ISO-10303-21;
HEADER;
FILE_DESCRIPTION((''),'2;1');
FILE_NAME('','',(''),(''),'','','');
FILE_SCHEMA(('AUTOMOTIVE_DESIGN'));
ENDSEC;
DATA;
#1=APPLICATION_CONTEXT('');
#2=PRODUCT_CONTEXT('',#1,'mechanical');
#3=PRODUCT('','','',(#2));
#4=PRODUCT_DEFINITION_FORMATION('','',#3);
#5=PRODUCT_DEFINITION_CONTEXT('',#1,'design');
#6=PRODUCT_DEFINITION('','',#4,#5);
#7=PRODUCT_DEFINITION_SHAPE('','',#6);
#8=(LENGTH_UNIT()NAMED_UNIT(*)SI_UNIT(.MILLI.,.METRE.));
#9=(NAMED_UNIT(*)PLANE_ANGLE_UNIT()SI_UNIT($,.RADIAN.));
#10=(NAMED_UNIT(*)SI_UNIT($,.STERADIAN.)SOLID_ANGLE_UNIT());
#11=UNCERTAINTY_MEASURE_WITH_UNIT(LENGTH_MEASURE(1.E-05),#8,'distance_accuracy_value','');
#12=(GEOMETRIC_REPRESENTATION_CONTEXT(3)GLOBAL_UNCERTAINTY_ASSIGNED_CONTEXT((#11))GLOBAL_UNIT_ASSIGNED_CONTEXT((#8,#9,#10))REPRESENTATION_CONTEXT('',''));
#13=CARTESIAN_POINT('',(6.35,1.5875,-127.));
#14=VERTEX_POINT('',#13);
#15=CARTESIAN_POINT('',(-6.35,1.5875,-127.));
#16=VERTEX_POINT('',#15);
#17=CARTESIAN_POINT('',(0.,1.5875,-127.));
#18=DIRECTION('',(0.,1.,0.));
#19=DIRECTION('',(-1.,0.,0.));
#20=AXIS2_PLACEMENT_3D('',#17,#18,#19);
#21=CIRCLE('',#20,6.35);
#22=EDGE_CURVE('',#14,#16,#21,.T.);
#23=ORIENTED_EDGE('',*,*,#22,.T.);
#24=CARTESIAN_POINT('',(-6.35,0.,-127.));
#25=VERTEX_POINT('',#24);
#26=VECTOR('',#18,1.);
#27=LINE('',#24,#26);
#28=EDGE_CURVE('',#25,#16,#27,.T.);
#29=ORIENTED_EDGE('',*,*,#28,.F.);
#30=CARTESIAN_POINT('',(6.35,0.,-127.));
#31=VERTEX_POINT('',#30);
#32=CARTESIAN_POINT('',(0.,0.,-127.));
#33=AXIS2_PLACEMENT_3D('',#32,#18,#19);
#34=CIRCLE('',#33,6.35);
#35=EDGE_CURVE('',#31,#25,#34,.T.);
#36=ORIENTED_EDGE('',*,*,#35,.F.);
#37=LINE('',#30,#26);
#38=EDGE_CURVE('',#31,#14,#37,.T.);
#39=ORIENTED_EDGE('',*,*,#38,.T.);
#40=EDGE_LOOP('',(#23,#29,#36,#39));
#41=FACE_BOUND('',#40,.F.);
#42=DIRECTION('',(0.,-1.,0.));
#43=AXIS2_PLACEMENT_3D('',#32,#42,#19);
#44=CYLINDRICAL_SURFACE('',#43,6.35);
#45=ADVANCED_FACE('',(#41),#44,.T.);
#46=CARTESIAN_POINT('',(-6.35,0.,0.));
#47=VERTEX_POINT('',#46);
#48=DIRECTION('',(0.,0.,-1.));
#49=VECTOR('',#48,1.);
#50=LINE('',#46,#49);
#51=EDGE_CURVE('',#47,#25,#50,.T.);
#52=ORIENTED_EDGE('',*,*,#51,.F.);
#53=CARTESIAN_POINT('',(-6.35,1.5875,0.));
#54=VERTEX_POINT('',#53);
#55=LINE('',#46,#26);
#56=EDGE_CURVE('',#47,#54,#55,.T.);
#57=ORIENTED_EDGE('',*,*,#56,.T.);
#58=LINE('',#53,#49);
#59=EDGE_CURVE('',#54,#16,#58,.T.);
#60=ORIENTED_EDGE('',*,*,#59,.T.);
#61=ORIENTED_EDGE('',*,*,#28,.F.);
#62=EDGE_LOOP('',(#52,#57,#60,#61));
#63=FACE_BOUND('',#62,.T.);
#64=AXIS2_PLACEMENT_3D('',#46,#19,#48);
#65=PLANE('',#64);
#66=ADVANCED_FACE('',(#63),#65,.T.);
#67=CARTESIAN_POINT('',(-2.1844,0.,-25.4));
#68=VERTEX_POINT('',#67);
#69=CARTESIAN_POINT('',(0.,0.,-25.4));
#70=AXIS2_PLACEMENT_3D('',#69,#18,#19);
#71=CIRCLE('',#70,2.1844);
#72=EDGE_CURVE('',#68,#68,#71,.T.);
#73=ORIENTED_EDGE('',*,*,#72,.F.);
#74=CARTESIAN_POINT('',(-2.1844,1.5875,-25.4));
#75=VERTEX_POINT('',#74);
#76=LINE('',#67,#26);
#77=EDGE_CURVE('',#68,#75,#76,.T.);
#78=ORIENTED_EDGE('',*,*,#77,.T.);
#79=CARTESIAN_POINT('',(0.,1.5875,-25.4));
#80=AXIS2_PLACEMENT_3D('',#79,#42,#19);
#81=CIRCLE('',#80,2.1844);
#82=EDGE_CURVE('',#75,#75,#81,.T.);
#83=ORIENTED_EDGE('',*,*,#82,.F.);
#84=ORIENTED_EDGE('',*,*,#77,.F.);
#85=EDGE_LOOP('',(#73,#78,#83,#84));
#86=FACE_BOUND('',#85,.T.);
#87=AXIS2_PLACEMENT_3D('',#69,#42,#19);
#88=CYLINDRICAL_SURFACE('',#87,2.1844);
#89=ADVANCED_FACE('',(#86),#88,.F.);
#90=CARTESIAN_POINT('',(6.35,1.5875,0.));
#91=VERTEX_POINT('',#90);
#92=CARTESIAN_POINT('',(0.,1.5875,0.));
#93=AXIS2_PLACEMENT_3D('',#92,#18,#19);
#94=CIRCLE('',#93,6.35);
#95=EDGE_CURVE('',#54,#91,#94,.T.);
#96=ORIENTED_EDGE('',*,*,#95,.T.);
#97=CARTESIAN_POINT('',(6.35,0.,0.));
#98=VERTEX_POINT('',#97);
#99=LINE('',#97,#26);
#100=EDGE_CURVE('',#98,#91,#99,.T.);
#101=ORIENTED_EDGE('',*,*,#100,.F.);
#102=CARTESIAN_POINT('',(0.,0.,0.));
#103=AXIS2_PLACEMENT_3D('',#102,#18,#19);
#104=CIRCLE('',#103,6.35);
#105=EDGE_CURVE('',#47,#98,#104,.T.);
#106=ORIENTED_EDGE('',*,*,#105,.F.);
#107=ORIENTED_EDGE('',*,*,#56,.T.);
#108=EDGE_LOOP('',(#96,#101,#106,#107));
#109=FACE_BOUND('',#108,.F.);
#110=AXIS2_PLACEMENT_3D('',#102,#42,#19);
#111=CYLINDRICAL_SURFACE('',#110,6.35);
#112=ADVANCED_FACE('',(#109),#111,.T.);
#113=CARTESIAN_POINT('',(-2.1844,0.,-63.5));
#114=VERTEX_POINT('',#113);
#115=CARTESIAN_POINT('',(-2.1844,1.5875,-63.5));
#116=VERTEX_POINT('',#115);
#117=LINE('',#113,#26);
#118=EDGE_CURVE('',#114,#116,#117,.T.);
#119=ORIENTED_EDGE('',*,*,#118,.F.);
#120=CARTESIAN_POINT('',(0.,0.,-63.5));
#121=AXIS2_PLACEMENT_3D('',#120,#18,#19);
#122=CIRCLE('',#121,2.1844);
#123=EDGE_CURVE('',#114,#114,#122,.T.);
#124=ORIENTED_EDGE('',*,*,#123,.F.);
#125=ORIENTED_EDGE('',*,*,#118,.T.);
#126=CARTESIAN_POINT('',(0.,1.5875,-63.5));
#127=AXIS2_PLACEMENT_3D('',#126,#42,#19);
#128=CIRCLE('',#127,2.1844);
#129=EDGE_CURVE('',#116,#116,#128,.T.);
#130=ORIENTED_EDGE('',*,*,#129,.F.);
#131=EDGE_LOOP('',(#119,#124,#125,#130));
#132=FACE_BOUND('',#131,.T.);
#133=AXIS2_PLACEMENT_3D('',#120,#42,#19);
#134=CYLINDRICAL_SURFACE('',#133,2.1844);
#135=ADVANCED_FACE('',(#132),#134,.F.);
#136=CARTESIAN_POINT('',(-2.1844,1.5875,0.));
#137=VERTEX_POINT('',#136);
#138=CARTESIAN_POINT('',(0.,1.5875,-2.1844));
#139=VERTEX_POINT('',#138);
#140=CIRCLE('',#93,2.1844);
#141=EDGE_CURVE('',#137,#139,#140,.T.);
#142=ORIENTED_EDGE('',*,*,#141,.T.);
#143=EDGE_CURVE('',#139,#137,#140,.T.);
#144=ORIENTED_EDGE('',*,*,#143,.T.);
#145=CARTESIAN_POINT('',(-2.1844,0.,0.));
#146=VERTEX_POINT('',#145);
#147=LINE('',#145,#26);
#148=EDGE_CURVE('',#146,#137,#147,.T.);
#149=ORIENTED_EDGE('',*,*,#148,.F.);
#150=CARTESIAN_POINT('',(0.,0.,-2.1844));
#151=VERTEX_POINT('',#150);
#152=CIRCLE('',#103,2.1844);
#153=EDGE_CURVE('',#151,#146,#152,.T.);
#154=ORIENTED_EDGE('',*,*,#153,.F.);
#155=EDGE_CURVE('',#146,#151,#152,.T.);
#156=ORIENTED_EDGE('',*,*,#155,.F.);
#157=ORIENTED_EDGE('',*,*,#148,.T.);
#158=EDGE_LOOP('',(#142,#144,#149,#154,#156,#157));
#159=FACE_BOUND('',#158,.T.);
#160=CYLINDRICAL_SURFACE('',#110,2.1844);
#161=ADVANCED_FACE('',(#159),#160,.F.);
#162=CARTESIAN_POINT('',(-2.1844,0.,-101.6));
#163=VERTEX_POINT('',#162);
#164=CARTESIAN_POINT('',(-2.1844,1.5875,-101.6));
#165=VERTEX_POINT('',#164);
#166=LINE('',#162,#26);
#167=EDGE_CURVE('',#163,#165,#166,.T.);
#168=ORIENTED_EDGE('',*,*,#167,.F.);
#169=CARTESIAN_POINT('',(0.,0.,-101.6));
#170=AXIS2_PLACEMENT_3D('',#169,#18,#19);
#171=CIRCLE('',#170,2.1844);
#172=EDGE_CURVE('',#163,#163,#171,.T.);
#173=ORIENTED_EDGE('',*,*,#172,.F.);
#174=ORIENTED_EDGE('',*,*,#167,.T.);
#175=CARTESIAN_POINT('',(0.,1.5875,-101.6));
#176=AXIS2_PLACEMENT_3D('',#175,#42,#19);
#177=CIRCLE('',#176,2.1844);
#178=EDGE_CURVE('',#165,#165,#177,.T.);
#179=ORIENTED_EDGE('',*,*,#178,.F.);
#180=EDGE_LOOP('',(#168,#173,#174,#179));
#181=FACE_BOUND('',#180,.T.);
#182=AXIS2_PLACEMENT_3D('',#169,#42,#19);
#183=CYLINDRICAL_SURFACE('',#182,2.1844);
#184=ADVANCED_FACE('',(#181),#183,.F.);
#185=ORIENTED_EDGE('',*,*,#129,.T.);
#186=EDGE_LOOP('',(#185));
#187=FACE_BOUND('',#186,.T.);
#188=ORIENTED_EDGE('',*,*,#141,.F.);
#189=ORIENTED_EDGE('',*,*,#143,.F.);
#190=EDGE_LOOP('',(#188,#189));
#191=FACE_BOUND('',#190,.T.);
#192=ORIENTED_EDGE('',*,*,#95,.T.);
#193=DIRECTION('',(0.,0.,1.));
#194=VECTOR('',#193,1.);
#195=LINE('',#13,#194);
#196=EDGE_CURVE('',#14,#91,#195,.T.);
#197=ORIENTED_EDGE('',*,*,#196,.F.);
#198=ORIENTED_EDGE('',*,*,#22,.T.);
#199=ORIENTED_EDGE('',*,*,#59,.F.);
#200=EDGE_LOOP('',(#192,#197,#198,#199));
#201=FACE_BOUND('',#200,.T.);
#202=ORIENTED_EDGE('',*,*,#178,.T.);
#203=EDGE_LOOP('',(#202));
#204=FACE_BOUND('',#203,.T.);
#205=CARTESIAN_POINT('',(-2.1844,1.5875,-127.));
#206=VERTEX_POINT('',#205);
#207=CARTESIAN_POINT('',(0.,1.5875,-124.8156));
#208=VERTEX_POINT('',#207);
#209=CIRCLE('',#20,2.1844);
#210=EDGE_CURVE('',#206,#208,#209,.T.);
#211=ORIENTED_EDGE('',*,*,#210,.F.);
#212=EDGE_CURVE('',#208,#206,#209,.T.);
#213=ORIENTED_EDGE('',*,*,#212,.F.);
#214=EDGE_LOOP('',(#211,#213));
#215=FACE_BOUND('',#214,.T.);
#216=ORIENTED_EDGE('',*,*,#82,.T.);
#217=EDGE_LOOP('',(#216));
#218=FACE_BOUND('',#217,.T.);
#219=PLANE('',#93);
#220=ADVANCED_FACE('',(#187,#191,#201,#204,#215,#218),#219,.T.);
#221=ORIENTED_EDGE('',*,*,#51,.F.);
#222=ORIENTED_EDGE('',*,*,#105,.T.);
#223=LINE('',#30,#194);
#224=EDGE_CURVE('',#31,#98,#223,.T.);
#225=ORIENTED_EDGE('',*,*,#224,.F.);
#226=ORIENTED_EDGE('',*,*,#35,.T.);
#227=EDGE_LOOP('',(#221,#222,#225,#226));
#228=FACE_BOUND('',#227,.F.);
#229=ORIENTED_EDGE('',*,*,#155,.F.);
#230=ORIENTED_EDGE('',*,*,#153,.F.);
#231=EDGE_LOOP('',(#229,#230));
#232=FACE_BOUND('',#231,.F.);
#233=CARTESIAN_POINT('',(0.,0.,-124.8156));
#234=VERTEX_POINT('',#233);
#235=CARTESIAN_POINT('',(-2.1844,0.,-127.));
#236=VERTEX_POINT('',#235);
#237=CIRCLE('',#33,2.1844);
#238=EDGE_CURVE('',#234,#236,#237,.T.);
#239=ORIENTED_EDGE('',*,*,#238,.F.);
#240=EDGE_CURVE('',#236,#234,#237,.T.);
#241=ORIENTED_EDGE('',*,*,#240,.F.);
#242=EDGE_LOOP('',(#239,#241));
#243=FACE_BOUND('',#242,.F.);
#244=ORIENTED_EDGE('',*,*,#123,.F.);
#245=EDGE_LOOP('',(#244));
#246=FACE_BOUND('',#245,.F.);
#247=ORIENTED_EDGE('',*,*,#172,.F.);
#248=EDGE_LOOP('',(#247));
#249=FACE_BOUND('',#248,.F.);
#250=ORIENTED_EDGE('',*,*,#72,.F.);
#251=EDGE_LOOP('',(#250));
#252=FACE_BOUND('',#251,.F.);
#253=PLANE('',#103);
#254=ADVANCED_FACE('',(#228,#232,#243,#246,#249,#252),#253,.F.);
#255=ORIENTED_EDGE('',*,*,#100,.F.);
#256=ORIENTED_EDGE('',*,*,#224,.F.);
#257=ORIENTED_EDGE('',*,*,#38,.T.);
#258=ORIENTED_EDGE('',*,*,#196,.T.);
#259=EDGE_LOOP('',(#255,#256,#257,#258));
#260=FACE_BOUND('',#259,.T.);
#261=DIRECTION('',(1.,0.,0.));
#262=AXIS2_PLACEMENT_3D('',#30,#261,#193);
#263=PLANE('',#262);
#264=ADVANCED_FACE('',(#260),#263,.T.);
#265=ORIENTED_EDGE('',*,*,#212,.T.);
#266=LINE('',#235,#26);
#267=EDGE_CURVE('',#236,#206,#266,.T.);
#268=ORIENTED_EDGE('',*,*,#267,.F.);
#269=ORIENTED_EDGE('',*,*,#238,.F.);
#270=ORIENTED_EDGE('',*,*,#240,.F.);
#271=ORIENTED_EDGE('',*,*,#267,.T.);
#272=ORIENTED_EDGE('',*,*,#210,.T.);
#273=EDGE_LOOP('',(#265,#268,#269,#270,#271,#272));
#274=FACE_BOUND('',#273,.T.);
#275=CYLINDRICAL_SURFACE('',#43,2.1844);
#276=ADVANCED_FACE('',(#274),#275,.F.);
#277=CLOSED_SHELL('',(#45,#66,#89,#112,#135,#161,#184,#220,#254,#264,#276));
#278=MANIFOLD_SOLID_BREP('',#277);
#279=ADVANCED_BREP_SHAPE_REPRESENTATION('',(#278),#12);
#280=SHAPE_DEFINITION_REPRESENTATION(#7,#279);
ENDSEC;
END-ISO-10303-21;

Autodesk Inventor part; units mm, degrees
ref_plane "YZ Plane" through (0, 0, 0) normal (1, 0, 0) x (0, 1, 0)
ref_plane "XZ Plane" through (0, 0, 0) normal (0, 1, 0) x (-1, 0, 0)
ref_plane "XY Plane" through (0, 0, 0) normal (0, 0, 1) x (1, 0, 0)
sketch "Sketch1" plane through (0, 0, 0) normal (0, 1, 0) x (-1, 0, 0)
  line L0 (0, 0) -> (0, -25.4)
  line L1 (0, -25.4) -> (0, -63.5)
  line L2 (0, -63.5) -> (0, -101.6)
  line L3 (0, -101.6) -> (0, -127)
  circle A0 centre (0, 0) radius 2.1844
  circle A1 centre (0, -25.4) radius 2.1844
  circle A2 centre (0, -63.5) radius 2.1844
  circle A3 centre (0, -127) radius 2.1844
  circle A4 centre (0, 0) radius 6.35
  circle A5 centre (0, -127) radius 6.35
  line L4 (6.35, 0) -> (6.35, -127)
  line L5 (-6.35, -127) -> (-6.35, 0)
  circle A6 centre (0, -101.6) radius 2.1844
  dimension "d0" = 25.4
  dimension "d1" = 38.1
  dimension "d2" = 38.1
  dimension "d3" = 25.4
  dimension "d4" = 4.3688
  dimension "d5" = 4.3688
  dimension "d6" = 4.3688
  dimension "d7" = 4.3688
  dimension "d8" = 12.7
  dimension "d9" = 12.7
  dimension "d12" = 4.3688
extrude "Extrusion1" add sketch "Sketch1" along normal blind 1.5875 contours A4 | A4 L4 A5 L3 A6 L2 A2 L1 A1 L0 | L0 A1 L1 A2 L2 A6 L3 A5 L5 A4 | A5
properties part number "gooba"
